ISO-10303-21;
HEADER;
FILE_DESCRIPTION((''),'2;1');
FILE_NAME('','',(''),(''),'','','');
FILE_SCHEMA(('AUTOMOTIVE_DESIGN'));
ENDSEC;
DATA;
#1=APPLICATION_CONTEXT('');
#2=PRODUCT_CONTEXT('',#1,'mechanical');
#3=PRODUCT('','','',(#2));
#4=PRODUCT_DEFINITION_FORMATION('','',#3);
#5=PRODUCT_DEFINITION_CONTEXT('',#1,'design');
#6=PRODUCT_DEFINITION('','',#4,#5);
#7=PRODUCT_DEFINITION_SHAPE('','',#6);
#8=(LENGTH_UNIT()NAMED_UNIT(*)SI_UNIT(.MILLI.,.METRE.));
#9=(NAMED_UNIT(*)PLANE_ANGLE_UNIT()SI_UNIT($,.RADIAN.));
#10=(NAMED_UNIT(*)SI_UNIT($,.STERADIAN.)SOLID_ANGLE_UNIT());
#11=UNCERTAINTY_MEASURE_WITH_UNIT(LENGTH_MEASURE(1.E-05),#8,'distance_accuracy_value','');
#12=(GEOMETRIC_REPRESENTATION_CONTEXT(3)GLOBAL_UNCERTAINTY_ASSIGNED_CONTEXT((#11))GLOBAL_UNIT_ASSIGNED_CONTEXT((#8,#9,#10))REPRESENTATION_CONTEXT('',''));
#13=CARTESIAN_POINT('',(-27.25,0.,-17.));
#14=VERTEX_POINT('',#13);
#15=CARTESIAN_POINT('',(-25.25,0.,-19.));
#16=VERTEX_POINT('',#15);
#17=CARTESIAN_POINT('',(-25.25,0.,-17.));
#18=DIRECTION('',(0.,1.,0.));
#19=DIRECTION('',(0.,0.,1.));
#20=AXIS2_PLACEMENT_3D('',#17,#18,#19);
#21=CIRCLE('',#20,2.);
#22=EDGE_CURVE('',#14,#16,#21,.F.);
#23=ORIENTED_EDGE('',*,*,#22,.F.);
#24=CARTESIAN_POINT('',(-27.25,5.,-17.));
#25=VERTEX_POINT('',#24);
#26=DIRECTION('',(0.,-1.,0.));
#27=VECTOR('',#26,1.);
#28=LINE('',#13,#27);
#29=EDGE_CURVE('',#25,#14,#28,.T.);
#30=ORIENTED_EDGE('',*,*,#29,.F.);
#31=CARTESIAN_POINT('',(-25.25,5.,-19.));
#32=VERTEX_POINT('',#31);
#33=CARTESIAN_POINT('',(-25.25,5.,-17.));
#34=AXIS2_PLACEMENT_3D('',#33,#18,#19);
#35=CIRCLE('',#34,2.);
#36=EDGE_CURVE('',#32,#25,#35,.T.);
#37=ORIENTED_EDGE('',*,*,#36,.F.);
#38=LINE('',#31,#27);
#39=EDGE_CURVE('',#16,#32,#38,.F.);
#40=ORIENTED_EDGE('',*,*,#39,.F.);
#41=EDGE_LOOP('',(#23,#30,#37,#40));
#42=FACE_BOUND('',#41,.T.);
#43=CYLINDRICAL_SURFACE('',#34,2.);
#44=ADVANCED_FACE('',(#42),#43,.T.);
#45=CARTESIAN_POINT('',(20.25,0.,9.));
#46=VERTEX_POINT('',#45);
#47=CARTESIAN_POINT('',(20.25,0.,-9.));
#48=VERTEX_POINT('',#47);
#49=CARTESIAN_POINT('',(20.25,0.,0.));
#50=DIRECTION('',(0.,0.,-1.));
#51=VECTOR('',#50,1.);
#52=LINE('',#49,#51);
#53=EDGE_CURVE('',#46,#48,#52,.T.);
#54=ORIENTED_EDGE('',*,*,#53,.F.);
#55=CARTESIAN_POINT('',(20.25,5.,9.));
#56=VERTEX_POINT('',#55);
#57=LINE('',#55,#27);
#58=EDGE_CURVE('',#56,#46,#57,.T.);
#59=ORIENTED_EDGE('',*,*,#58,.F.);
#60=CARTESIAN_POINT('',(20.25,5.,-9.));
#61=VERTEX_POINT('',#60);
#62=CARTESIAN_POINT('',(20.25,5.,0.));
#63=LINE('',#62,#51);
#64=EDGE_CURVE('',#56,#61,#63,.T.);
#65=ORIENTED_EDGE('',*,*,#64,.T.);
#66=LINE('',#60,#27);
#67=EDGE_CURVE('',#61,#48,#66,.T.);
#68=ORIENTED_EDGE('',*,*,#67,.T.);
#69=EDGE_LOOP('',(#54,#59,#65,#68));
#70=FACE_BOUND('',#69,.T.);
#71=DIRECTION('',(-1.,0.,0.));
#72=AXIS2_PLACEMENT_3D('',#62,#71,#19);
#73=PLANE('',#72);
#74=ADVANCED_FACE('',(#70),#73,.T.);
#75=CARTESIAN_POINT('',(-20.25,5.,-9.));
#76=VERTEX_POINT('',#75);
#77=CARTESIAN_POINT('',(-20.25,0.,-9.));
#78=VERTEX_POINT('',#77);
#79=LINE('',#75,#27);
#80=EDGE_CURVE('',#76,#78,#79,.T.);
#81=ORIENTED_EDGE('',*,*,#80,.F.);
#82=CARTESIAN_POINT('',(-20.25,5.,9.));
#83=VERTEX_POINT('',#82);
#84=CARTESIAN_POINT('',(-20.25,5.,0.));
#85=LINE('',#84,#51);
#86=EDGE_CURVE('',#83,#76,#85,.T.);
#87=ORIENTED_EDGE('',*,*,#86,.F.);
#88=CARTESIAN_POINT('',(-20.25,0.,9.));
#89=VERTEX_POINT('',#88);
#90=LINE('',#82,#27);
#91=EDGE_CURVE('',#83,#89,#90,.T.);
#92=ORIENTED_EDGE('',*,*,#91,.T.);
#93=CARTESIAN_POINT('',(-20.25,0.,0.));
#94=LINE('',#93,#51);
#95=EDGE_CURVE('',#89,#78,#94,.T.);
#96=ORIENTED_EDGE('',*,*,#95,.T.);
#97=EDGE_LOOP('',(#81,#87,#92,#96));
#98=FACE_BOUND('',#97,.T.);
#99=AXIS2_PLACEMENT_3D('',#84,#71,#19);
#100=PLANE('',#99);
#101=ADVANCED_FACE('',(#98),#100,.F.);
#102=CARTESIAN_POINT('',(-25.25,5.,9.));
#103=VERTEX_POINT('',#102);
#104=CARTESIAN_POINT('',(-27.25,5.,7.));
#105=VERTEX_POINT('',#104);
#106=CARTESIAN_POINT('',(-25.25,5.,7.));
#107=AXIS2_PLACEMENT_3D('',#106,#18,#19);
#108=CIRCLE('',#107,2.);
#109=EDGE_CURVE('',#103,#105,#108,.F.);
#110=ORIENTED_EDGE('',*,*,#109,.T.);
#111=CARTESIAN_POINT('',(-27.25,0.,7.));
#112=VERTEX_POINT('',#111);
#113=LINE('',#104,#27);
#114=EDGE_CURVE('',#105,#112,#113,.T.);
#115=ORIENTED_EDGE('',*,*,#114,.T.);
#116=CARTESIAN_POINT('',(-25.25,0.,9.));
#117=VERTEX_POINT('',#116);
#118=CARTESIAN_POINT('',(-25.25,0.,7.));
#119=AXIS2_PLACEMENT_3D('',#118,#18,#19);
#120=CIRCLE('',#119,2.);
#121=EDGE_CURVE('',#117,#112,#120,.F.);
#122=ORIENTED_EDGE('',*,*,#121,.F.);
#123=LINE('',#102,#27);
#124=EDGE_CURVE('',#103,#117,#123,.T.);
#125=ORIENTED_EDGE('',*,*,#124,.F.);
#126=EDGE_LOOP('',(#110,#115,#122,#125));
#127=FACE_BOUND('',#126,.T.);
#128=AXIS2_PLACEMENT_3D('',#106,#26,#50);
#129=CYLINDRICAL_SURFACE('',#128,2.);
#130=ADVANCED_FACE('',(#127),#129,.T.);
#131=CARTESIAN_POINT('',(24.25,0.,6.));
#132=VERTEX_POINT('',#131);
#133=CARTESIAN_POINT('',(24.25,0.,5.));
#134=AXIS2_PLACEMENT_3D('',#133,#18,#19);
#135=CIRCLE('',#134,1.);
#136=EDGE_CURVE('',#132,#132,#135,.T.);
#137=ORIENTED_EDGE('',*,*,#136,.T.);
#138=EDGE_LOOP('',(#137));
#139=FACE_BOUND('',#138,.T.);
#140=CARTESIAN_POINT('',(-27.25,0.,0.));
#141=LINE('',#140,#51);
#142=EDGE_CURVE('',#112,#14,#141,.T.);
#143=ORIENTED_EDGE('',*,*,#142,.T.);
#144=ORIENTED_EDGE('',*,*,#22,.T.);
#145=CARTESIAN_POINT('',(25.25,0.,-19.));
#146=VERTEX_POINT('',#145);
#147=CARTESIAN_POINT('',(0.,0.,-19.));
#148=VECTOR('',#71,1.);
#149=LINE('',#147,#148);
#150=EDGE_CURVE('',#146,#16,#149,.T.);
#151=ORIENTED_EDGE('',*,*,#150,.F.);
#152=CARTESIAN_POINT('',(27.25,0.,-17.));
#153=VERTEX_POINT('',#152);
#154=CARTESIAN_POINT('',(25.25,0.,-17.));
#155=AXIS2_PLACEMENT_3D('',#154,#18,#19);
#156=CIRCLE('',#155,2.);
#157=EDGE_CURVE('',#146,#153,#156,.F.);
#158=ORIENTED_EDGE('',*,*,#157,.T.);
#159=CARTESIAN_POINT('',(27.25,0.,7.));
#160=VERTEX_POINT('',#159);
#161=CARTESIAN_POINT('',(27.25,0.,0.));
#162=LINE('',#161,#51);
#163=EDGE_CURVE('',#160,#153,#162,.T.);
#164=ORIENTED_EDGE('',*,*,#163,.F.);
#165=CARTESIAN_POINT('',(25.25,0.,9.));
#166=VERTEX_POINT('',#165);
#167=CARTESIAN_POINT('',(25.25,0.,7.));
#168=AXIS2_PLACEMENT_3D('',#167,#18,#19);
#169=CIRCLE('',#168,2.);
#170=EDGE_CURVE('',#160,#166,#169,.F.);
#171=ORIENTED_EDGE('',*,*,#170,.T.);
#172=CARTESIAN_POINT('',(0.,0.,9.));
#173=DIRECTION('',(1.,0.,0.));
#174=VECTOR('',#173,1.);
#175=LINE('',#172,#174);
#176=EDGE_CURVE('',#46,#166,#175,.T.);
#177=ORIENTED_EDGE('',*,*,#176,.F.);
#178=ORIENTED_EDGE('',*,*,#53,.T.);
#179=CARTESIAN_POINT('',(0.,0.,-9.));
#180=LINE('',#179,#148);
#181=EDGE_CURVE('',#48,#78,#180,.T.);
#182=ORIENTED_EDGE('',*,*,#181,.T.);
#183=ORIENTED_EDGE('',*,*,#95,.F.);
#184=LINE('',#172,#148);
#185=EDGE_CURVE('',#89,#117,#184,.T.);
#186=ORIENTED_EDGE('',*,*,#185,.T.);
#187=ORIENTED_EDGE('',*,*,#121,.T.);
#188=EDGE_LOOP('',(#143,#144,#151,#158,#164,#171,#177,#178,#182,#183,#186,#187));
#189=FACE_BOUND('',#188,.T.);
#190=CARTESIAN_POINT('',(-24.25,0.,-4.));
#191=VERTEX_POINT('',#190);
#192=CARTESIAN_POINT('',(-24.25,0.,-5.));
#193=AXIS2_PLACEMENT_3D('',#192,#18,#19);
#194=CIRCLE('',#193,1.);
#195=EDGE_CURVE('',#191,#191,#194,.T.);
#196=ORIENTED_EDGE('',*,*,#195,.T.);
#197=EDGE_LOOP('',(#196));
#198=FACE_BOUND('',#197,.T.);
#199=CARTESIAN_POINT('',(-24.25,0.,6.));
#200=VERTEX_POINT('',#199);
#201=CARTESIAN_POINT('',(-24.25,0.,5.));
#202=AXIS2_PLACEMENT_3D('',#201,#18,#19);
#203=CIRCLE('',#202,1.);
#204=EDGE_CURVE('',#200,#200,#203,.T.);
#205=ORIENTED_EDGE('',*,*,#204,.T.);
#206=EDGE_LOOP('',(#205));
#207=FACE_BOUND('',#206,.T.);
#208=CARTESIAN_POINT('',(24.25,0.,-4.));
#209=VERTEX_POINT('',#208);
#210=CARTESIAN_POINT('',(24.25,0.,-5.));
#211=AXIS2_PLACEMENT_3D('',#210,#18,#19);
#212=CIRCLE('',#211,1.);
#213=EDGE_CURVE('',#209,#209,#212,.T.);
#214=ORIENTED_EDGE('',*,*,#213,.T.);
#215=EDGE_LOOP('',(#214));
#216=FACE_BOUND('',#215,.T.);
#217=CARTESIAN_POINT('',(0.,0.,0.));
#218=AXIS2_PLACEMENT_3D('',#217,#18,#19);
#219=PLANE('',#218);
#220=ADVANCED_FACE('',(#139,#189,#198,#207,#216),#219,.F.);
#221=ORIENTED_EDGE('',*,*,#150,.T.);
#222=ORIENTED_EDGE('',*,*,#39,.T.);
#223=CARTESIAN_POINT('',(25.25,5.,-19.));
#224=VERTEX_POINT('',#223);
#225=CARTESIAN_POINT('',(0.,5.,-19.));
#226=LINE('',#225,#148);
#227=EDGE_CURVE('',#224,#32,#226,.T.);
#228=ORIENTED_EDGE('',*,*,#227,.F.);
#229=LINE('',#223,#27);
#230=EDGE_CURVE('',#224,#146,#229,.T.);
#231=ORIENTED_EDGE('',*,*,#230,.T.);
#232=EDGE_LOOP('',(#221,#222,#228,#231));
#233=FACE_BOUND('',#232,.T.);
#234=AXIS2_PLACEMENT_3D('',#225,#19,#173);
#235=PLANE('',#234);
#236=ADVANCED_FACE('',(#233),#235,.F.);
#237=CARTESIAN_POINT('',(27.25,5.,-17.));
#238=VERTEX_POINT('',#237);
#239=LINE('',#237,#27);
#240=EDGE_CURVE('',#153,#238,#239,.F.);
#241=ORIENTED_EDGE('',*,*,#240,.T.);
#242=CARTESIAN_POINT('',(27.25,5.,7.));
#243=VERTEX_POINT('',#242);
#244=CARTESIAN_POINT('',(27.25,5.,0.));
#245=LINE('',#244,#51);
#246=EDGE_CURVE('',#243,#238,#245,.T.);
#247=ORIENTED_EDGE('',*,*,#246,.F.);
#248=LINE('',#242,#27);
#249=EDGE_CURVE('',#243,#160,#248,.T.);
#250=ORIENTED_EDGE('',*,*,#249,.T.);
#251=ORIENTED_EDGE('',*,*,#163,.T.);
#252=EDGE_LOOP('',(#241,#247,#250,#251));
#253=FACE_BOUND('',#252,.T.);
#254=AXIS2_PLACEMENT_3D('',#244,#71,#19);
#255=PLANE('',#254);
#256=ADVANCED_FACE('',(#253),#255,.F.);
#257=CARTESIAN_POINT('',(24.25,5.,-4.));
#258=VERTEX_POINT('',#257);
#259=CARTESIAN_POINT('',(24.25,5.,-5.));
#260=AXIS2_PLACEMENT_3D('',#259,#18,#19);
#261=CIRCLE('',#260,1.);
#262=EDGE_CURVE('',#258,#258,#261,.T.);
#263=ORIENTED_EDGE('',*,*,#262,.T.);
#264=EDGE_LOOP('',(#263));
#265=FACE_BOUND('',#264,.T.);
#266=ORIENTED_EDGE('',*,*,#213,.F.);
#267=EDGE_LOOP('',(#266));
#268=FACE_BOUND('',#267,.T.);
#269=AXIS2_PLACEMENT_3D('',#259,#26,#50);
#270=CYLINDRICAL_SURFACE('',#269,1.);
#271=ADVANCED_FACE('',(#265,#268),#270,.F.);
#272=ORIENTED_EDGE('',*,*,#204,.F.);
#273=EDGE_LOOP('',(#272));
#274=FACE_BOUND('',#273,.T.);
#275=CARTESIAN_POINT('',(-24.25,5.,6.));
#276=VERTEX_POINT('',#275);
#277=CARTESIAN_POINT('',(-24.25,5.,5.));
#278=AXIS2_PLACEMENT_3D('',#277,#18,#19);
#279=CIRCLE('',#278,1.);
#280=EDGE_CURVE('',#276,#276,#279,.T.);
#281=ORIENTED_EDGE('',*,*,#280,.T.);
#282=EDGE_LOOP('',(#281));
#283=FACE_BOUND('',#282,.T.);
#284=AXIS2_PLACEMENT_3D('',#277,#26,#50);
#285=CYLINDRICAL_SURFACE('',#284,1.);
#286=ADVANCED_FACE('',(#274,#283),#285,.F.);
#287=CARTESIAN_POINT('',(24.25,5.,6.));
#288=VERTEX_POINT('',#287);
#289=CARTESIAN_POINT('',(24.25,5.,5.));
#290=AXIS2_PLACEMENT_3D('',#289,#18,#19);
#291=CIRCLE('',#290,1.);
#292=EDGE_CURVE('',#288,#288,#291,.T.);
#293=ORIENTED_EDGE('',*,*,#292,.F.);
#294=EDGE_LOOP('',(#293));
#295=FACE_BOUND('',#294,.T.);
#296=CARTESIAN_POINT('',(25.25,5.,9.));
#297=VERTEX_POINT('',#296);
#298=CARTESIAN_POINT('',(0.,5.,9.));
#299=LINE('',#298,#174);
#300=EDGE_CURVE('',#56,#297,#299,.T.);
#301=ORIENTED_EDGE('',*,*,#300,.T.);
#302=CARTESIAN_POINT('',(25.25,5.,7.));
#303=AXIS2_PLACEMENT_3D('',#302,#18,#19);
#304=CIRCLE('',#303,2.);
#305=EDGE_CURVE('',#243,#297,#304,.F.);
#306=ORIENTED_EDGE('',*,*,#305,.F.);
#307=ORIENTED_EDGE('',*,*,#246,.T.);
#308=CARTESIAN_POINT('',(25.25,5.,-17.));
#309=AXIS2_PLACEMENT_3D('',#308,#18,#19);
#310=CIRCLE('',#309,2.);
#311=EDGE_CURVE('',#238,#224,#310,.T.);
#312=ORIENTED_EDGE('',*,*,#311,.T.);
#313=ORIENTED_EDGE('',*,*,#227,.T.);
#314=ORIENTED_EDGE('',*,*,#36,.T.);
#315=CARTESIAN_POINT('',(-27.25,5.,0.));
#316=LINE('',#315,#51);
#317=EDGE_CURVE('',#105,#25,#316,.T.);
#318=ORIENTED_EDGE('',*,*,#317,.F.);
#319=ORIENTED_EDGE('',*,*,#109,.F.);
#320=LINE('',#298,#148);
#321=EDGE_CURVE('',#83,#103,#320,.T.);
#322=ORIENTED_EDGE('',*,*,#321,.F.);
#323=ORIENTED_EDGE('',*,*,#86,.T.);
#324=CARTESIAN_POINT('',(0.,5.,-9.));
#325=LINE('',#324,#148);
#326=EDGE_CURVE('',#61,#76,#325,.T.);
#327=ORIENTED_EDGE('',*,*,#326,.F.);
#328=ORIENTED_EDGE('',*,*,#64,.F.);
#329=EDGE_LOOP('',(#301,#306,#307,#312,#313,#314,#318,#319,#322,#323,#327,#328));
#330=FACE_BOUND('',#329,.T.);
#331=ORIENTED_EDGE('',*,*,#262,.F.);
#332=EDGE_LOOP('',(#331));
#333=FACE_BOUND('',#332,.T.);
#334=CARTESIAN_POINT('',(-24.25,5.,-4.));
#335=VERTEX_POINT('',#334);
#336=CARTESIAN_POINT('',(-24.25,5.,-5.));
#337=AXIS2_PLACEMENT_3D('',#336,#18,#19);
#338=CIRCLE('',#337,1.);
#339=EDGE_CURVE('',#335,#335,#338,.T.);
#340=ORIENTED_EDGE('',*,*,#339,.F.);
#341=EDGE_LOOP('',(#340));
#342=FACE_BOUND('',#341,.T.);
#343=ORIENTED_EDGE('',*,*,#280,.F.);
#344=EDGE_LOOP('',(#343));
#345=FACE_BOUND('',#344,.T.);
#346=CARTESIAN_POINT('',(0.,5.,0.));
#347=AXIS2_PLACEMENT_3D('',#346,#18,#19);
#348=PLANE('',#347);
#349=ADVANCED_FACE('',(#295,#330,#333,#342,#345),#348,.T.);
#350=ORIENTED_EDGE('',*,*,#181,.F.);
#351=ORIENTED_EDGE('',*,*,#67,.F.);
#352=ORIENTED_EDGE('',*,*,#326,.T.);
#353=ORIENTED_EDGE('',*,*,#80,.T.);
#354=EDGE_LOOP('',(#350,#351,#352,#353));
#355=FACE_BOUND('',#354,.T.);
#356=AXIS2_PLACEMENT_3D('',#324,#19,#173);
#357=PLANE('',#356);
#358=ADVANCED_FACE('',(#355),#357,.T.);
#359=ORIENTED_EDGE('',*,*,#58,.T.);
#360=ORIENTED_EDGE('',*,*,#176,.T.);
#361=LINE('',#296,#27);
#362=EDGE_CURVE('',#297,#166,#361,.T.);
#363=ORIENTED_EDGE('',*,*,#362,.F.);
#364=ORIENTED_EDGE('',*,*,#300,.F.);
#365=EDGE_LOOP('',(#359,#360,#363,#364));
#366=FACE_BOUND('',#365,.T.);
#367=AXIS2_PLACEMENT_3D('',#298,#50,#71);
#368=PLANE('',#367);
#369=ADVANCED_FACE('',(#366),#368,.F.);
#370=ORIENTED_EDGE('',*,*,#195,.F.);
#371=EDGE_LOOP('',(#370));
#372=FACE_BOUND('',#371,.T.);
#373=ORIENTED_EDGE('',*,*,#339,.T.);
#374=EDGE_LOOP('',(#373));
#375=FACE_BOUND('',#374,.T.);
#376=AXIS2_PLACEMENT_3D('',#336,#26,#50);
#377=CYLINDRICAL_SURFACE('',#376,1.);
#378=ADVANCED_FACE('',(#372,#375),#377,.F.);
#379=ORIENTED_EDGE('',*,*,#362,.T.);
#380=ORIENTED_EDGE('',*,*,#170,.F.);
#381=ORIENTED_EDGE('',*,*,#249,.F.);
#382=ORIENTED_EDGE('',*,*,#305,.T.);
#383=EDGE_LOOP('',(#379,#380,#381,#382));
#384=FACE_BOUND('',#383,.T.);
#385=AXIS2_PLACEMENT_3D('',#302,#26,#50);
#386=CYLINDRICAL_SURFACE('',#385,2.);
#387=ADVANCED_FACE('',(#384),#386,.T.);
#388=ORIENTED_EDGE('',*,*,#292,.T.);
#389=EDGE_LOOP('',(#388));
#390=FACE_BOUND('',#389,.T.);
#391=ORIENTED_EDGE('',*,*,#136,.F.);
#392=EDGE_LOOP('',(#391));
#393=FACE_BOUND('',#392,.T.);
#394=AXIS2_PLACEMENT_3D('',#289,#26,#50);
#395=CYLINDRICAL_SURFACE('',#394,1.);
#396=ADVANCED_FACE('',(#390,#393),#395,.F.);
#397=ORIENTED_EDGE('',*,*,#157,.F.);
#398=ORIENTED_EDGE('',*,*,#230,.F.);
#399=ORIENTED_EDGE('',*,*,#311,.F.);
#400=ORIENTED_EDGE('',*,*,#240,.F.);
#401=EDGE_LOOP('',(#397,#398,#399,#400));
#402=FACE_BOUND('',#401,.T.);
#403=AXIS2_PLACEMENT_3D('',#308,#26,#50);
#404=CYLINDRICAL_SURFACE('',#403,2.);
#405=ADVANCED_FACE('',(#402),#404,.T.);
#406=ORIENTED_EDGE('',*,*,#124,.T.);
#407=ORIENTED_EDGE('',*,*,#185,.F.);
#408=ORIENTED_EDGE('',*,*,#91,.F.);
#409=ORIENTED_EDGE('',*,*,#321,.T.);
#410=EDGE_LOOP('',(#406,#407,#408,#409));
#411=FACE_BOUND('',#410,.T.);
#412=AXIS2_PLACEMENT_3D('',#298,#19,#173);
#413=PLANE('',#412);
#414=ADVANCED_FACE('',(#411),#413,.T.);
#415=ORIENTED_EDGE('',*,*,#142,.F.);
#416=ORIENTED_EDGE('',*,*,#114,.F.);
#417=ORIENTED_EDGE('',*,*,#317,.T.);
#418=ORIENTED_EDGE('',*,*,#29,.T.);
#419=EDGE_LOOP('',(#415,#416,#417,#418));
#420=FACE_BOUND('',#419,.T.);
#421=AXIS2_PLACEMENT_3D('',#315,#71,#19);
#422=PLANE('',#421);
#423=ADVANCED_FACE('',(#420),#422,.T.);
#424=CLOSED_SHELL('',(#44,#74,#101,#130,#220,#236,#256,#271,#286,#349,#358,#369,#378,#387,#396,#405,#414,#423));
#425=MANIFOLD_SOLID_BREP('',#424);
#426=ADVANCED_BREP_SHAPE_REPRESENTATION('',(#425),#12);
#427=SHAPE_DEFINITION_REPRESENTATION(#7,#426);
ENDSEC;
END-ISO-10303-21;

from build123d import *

# Parameters (mm, degrees)
SKETCH1_R           = 1
BOSS_EXTRUDE2_DEPTH = 5
FILLET1_R           = 2


with BuildPart() as part:
    # Sketch1 → Boss-Extrude2 (new body)
    with BuildSketch(Plane(origin=(0, 0, 0), x_dir=(1, 0, 0), z_dir=(0, 1, 0))):
        with BuildLine():
            ThreePointArc((-25.25, -9), (-26.664213562, -8.414213562), (-27.25, -7))
            Line((-27.25, -7), (-27.25, 9))
            Line((-27.25, 9), (-20.25, 9))
            Line((-20.25, 9), (-20.25, -9))
            Line((-20.25, -9), (-25.25, -9))
        make_face()
        with Locations((-24.25, -5)):
            Circle(SKETCH1_R, mode=Mode.SUBTRACT)
        with Locations((-24.25, 5)):
            Circle(SKETCH1_R, mode=Mode.SUBTRACT)
        Polygon((-27.25, 9), (-20.25, 9), (20.25, 9), (27.25, 9), (27.25, 19), (-27.25, 19), align=None)
        with BuildLine():
            ThreePointArc((27.25, -7), (26.664213562, -8.414213562), (25.25, -9))
            Line((25.25, -9), (20.25, -9))
            Line((20.25, -9), (20.25, 9))
            Line((20.25, 9), (27.25, 9))
            Line((27.25, 9), (27.25, -7))
        make_face()
        with Locations((24.25, 5)):
            Circle(SKETCH1_R, mode=Mode.SUBTRACT)
        with Locations((24.25, -5)):
            Circle(SKETCH1_R, mode=Mode.SUBTRACT)
    extrude(amount=BOSS_EXTRUDE2_DEPTH)

    # Fillet1
    fillet1_edges = [part.edges().sort_by_distance(p)[0] for p in [
        (-27.25, 2.5, -19),
        (27.25, 2.5, -19),
    ]]
    fillet(fillet1_edges, radius=FILLET1_R)


solid = part.part
